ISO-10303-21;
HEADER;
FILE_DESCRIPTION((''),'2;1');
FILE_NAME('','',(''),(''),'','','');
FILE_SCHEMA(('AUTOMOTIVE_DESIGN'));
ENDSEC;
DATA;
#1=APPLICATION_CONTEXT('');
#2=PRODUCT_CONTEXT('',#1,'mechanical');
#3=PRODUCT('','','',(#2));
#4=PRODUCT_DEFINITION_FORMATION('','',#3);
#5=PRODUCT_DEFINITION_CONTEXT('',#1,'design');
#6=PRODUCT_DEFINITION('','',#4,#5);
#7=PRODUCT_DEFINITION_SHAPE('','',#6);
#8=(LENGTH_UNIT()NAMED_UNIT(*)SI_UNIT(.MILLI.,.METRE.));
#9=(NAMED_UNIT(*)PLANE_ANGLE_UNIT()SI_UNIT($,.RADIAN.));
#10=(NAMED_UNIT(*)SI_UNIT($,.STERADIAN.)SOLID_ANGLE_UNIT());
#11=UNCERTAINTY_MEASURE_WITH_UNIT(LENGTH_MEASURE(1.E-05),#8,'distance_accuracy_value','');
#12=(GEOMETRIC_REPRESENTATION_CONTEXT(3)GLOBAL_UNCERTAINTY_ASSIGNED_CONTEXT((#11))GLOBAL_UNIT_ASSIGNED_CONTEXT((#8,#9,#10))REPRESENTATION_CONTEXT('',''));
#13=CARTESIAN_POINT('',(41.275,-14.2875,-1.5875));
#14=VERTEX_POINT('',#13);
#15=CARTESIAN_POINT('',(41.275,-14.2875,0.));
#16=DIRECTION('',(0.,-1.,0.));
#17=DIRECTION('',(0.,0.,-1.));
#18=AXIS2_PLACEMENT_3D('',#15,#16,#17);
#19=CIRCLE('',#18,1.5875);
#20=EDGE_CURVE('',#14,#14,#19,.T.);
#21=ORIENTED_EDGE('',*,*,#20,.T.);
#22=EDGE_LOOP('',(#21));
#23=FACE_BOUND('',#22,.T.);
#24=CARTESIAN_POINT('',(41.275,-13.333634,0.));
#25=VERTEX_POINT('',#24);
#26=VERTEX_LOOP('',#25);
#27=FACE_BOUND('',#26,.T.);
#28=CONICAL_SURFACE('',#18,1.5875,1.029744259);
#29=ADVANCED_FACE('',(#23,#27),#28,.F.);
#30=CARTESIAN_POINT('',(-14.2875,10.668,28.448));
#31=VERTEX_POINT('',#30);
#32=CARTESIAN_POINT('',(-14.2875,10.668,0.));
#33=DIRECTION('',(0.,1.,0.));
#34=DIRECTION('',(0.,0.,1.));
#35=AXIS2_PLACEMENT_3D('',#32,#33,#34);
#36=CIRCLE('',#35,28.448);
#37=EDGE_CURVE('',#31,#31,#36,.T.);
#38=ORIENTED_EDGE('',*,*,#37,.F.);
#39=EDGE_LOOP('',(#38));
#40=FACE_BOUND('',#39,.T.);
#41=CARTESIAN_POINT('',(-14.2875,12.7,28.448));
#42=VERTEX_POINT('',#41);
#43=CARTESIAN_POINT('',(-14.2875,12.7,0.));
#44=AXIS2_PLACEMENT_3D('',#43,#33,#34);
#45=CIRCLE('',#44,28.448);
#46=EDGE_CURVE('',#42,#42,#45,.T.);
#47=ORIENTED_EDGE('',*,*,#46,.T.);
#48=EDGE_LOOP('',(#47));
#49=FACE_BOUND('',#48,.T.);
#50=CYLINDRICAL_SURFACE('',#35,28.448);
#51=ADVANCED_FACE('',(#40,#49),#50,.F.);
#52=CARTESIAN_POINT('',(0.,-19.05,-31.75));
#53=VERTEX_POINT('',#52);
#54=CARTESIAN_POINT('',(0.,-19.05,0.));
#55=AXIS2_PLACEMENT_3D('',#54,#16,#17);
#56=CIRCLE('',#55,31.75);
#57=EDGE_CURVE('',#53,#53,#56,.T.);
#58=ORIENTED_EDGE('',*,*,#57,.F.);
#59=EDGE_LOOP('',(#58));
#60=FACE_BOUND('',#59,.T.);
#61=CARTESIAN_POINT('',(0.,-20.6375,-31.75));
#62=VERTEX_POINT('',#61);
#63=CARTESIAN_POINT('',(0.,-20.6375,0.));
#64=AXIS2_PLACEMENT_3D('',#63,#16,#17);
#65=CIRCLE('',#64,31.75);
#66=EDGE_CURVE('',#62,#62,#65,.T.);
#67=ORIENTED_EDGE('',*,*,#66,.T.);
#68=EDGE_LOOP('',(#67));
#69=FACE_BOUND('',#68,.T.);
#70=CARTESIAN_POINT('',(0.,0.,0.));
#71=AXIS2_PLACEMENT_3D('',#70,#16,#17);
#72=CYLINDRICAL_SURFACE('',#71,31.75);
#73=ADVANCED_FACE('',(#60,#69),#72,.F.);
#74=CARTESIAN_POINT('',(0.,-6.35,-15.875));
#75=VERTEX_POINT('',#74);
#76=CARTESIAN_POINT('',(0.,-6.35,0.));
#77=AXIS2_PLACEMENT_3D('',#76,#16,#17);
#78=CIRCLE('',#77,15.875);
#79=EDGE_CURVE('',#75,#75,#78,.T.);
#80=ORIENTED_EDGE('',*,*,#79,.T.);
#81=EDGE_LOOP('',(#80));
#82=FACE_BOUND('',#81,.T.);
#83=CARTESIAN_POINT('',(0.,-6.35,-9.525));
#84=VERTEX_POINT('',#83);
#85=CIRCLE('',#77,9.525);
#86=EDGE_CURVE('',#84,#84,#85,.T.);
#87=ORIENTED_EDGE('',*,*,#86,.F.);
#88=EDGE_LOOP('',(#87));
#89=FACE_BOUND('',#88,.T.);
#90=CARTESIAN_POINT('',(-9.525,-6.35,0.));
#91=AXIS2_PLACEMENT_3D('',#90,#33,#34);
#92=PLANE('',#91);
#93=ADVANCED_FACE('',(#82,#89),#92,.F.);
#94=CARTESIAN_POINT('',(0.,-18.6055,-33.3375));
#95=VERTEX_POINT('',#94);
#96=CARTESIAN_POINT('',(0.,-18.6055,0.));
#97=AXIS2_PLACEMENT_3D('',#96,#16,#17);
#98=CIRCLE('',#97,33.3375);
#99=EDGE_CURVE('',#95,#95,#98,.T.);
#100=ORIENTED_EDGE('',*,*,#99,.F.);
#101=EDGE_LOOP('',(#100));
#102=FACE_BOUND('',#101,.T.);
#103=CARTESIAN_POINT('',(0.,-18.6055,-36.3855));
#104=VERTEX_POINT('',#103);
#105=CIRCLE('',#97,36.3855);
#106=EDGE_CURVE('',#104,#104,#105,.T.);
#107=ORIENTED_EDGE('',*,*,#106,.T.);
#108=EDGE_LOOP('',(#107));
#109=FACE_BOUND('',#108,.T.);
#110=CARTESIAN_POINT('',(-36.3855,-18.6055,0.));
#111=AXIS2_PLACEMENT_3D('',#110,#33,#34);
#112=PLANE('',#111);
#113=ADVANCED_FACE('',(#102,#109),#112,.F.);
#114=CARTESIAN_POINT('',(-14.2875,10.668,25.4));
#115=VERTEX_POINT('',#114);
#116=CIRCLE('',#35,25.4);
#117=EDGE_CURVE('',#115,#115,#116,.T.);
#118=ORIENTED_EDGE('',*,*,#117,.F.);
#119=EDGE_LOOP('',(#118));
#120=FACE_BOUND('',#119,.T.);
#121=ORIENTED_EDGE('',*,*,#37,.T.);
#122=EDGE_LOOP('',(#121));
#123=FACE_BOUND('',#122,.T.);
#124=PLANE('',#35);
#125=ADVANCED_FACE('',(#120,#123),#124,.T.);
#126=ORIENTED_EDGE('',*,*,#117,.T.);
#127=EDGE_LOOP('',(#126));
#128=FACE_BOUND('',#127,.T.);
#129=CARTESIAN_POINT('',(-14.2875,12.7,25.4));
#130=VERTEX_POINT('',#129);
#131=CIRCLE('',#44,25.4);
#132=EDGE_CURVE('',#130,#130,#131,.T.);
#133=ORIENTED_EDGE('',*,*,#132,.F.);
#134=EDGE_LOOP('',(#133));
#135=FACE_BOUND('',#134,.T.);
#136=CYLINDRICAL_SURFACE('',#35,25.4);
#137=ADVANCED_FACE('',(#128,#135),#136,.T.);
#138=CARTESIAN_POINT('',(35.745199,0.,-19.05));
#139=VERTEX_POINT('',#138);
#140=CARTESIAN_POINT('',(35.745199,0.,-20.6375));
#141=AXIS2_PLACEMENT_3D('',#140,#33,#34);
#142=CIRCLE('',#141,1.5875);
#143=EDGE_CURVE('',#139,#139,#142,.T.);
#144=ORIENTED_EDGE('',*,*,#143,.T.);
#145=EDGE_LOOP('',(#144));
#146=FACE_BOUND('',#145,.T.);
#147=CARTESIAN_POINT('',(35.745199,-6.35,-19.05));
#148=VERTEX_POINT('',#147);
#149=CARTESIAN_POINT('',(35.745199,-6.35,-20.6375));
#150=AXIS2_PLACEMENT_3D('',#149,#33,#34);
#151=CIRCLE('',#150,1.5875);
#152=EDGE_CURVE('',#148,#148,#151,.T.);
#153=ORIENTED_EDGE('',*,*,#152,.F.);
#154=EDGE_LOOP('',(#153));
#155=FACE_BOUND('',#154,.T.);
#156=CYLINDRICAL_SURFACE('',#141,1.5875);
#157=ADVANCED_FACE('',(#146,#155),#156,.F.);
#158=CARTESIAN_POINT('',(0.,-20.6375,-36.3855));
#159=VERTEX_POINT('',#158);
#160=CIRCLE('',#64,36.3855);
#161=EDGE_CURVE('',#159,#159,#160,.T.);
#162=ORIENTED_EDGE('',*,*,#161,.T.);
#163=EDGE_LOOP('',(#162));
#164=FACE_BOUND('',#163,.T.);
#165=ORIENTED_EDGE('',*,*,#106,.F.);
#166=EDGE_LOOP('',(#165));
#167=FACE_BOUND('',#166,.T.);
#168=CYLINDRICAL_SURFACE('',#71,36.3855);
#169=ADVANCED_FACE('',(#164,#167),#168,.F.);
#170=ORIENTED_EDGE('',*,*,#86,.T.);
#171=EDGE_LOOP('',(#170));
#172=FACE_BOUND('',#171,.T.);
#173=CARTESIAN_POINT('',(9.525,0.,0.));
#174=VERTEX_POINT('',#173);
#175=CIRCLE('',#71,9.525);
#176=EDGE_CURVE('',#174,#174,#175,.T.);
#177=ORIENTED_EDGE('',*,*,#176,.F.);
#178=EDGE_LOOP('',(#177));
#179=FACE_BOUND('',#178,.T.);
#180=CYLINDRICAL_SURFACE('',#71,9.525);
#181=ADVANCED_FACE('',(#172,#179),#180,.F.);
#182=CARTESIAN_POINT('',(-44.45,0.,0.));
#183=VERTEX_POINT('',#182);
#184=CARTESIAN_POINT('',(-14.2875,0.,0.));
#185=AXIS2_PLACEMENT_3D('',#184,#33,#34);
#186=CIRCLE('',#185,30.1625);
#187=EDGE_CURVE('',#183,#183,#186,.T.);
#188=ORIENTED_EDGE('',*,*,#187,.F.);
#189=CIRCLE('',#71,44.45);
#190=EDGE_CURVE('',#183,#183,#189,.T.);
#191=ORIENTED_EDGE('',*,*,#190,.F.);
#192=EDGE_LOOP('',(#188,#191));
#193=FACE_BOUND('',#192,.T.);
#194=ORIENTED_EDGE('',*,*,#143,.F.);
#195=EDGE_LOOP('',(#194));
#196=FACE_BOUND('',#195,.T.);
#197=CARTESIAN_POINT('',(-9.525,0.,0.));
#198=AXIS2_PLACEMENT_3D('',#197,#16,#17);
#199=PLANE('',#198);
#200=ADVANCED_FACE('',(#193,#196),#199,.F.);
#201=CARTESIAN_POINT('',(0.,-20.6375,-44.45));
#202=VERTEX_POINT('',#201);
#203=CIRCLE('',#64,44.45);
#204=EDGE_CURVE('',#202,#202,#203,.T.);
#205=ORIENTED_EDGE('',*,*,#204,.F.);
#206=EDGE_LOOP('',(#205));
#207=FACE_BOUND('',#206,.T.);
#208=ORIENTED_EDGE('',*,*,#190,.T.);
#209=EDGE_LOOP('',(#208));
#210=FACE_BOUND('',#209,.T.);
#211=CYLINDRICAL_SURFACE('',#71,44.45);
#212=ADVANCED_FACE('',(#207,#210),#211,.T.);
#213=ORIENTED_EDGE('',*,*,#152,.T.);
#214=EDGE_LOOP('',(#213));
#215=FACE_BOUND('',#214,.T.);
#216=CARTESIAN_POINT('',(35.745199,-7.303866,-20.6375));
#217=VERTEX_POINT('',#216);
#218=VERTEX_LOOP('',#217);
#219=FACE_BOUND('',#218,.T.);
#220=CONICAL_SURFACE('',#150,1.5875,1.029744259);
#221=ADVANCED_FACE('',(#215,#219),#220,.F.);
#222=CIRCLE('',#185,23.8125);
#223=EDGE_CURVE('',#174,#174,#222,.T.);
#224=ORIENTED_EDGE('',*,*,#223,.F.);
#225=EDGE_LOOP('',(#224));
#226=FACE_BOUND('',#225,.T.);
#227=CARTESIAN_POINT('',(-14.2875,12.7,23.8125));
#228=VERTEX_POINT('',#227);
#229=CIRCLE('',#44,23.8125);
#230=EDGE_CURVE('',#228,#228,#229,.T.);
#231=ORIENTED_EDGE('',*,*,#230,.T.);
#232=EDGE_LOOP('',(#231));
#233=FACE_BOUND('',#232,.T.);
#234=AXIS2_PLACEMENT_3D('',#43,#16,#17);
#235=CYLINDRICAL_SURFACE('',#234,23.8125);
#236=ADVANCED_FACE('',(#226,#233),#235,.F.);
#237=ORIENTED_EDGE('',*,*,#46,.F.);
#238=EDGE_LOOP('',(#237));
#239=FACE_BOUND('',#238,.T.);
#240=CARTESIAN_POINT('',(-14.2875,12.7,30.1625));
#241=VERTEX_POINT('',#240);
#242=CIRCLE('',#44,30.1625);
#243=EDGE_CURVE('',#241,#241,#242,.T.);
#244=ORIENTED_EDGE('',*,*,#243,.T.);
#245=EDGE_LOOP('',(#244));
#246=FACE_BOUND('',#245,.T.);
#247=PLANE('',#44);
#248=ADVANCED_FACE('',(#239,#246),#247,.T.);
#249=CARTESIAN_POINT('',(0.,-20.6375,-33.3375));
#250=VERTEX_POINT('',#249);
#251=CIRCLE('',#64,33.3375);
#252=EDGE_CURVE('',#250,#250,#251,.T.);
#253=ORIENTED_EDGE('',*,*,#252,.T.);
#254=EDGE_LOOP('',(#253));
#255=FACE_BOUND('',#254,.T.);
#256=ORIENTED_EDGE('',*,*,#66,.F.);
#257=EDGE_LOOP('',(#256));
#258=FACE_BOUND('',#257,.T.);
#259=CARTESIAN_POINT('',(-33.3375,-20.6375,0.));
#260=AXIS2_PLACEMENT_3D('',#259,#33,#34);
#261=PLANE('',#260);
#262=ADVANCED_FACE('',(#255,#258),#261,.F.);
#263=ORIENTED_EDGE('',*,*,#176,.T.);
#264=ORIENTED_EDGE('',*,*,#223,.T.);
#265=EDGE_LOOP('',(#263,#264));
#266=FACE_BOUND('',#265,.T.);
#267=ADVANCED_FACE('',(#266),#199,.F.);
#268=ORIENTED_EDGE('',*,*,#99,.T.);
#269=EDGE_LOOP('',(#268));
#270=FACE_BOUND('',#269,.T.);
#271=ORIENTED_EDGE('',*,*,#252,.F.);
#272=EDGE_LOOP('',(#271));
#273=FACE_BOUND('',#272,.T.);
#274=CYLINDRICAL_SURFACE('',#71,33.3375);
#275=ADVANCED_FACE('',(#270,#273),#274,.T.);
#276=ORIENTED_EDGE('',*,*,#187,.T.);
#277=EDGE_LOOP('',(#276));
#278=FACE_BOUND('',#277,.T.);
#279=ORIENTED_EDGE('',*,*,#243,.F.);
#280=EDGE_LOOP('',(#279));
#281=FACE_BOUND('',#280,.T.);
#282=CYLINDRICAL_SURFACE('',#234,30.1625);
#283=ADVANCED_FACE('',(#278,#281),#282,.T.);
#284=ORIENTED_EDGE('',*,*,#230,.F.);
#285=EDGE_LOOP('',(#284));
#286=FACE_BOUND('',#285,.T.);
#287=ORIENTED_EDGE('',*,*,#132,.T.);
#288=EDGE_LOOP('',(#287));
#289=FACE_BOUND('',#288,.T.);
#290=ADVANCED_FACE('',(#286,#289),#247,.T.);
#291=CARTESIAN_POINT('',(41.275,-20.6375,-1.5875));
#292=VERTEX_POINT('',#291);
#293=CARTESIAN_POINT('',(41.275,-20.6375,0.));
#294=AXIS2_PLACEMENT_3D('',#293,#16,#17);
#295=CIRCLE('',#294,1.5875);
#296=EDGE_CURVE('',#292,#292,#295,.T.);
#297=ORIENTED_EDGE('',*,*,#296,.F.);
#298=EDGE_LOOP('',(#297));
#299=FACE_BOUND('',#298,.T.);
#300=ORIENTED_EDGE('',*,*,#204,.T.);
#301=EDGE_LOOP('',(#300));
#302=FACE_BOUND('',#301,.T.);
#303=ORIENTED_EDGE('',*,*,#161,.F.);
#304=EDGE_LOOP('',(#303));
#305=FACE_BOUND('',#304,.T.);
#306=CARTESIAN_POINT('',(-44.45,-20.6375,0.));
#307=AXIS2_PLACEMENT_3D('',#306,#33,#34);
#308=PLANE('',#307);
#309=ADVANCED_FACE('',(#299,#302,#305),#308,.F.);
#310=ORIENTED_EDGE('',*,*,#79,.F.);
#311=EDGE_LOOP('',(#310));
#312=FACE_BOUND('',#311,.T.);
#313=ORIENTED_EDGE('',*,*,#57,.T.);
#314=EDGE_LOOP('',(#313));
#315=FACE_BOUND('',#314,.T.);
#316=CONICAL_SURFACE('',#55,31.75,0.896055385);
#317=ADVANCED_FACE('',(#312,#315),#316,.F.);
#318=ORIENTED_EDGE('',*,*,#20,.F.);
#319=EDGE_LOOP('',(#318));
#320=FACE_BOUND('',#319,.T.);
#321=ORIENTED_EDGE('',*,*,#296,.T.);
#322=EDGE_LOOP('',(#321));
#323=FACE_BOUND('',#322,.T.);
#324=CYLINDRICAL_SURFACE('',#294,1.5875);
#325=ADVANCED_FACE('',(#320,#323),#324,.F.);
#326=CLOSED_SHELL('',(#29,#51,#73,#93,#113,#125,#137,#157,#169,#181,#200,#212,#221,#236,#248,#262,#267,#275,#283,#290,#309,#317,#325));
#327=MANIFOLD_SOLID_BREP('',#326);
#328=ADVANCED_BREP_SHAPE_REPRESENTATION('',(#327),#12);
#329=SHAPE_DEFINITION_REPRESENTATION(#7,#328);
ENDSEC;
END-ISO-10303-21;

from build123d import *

# Parameters (mm, degrees)
SKETCH2_R                        = 30.1625
SKETCH2_R_2                      = 23.8125
BOSS_EXTRUDE1_DEPTH              = 12.7
SKETCH4_R                        = 28.448
SKETCH4_R_2                      = 25.4
CUT_EXTRUDE1_DEPTH               = 2.032
F_1_8_0_125_DIAMETER_HOLE1_D     = 3.175
F_1_8_0_125_DIAMETER_HOLE1_DEPTH = 6.35
F_1_8_0_125_DIAMETER_HOLE1_TIP   = 0.953866233
F_1_8_0_125_DIAMETER_HOLE2_D     = 3.175
F_1_8_0_125_DIAMETER_HOLE2_DEPTH = 6.35
F_1_8_0_125_DIAMETER_HOLE2_TIP   = 0.953866233


with BuildPart() as part:
    # Sketch1 → Revolve1 (revolve)
    with BuildSketch(Plane.XY):
        Polygon((-9.525, -6.35), (-9.525, 0), (-44.45, 0), (-44.45, -20.6375), (-36.3855, -20.6375), (-36.3855, -18.6055), (-33.3375, -18.6055), (-33.3375, -20.6375), (-31.75, -20.6375), (-31.75, -19.05), (-15.875, -6.35), align=None)
    revolve(axis=Axis((0, 0, 0), (0, 1, 0)))

    # Sketch2 → Boss-Extrude1 (add)
    with BuildSketch(Plane(origin=(0, 0, 0), x_dir=(1, 0, 0), z_dir=(0, 1, 0))):
        with Locations((-14.2875, 0)):
            Circle(SKETCH2_R)
        with Locations((-14.2875, 0)):
            Circle(SKETCH2_R_2, mode=Mode.SUBTRACT)
    extrude(amount=BOSS_EXTRUDE1_DEPTH)

    # Sketch4 → Cut-Extrude1 (cut)
    with BuildSketch(Plane(origin=(0, 12.7, 0), x_dir=(1, 0, 0), z_dir=(0, 1, 0))):
        with Locations((-14.2875, 0)):
            Circle(SKETCH4_R)
        with Locations((-14.2875, 0)):
            Circle(SKETCH4_R_2, mode=Mode.SUBTRACT)
    extrude(amount=-CUT_EXTRUDE1_DEPTH, mode=Mode.SUBTRACT)

    # 1/8 (0.125) Diameter Hole1
    with Locations(Plane(origin=(0, -20.6375, 0), x_dir=(-1, 0, 0), z_dir=(0, -1, 0))):
        with Locations((-41.275, 0)):
            Hole(F_1_8_0_125_DIAMETER_HOLE1_D / 2, depth=F_1_8_0_125_DIAMETER_HOLE1_DEPTH)
            with Locations((0, 0, -(F_1_8_0_125_DIAMETER_HOLE1_DEPTH + F_1_8_0_125_DIAMETER_HOLE1_TIP / 2))):  # 118° drill point
                Cone(0, F_1_8_0_125_DIAMETER_HOLE1_D / 2, F_1_8_0_125_DIAMETER_HOLE1_TIP, mode=Mode.SUBTRACT)

    # 1/8 (0.125) Diameter Hole2
    with Locations(Plane(origin=(0, 0, 0), x_dir=(1, 0, 0), z_dir=(0, 1, 0))):
        with Locations((35.745198541, 20.6375)):
            Hole(F_1_8_0_125_DIAMETER_HOLE2_D / 2, depth=F_1_8_0_125_DIAMETER_HOLE2_DEPTH)
            with Locations((0, 0, -(F_1_8_0_125_DIAMETER_HOLE2_DEPTH + F_1_8_0_125_DIAMETER_HOLE2_TIP / 2))):  # 118° drill point
                Cone(0, F_1_8_0_125_DIAMETER_HOLE2_D / 2, F_1_8_0_125_DIAMETER_HOLE2_TIP, mode=Mode.SUBTRACT)


solid = part.part
